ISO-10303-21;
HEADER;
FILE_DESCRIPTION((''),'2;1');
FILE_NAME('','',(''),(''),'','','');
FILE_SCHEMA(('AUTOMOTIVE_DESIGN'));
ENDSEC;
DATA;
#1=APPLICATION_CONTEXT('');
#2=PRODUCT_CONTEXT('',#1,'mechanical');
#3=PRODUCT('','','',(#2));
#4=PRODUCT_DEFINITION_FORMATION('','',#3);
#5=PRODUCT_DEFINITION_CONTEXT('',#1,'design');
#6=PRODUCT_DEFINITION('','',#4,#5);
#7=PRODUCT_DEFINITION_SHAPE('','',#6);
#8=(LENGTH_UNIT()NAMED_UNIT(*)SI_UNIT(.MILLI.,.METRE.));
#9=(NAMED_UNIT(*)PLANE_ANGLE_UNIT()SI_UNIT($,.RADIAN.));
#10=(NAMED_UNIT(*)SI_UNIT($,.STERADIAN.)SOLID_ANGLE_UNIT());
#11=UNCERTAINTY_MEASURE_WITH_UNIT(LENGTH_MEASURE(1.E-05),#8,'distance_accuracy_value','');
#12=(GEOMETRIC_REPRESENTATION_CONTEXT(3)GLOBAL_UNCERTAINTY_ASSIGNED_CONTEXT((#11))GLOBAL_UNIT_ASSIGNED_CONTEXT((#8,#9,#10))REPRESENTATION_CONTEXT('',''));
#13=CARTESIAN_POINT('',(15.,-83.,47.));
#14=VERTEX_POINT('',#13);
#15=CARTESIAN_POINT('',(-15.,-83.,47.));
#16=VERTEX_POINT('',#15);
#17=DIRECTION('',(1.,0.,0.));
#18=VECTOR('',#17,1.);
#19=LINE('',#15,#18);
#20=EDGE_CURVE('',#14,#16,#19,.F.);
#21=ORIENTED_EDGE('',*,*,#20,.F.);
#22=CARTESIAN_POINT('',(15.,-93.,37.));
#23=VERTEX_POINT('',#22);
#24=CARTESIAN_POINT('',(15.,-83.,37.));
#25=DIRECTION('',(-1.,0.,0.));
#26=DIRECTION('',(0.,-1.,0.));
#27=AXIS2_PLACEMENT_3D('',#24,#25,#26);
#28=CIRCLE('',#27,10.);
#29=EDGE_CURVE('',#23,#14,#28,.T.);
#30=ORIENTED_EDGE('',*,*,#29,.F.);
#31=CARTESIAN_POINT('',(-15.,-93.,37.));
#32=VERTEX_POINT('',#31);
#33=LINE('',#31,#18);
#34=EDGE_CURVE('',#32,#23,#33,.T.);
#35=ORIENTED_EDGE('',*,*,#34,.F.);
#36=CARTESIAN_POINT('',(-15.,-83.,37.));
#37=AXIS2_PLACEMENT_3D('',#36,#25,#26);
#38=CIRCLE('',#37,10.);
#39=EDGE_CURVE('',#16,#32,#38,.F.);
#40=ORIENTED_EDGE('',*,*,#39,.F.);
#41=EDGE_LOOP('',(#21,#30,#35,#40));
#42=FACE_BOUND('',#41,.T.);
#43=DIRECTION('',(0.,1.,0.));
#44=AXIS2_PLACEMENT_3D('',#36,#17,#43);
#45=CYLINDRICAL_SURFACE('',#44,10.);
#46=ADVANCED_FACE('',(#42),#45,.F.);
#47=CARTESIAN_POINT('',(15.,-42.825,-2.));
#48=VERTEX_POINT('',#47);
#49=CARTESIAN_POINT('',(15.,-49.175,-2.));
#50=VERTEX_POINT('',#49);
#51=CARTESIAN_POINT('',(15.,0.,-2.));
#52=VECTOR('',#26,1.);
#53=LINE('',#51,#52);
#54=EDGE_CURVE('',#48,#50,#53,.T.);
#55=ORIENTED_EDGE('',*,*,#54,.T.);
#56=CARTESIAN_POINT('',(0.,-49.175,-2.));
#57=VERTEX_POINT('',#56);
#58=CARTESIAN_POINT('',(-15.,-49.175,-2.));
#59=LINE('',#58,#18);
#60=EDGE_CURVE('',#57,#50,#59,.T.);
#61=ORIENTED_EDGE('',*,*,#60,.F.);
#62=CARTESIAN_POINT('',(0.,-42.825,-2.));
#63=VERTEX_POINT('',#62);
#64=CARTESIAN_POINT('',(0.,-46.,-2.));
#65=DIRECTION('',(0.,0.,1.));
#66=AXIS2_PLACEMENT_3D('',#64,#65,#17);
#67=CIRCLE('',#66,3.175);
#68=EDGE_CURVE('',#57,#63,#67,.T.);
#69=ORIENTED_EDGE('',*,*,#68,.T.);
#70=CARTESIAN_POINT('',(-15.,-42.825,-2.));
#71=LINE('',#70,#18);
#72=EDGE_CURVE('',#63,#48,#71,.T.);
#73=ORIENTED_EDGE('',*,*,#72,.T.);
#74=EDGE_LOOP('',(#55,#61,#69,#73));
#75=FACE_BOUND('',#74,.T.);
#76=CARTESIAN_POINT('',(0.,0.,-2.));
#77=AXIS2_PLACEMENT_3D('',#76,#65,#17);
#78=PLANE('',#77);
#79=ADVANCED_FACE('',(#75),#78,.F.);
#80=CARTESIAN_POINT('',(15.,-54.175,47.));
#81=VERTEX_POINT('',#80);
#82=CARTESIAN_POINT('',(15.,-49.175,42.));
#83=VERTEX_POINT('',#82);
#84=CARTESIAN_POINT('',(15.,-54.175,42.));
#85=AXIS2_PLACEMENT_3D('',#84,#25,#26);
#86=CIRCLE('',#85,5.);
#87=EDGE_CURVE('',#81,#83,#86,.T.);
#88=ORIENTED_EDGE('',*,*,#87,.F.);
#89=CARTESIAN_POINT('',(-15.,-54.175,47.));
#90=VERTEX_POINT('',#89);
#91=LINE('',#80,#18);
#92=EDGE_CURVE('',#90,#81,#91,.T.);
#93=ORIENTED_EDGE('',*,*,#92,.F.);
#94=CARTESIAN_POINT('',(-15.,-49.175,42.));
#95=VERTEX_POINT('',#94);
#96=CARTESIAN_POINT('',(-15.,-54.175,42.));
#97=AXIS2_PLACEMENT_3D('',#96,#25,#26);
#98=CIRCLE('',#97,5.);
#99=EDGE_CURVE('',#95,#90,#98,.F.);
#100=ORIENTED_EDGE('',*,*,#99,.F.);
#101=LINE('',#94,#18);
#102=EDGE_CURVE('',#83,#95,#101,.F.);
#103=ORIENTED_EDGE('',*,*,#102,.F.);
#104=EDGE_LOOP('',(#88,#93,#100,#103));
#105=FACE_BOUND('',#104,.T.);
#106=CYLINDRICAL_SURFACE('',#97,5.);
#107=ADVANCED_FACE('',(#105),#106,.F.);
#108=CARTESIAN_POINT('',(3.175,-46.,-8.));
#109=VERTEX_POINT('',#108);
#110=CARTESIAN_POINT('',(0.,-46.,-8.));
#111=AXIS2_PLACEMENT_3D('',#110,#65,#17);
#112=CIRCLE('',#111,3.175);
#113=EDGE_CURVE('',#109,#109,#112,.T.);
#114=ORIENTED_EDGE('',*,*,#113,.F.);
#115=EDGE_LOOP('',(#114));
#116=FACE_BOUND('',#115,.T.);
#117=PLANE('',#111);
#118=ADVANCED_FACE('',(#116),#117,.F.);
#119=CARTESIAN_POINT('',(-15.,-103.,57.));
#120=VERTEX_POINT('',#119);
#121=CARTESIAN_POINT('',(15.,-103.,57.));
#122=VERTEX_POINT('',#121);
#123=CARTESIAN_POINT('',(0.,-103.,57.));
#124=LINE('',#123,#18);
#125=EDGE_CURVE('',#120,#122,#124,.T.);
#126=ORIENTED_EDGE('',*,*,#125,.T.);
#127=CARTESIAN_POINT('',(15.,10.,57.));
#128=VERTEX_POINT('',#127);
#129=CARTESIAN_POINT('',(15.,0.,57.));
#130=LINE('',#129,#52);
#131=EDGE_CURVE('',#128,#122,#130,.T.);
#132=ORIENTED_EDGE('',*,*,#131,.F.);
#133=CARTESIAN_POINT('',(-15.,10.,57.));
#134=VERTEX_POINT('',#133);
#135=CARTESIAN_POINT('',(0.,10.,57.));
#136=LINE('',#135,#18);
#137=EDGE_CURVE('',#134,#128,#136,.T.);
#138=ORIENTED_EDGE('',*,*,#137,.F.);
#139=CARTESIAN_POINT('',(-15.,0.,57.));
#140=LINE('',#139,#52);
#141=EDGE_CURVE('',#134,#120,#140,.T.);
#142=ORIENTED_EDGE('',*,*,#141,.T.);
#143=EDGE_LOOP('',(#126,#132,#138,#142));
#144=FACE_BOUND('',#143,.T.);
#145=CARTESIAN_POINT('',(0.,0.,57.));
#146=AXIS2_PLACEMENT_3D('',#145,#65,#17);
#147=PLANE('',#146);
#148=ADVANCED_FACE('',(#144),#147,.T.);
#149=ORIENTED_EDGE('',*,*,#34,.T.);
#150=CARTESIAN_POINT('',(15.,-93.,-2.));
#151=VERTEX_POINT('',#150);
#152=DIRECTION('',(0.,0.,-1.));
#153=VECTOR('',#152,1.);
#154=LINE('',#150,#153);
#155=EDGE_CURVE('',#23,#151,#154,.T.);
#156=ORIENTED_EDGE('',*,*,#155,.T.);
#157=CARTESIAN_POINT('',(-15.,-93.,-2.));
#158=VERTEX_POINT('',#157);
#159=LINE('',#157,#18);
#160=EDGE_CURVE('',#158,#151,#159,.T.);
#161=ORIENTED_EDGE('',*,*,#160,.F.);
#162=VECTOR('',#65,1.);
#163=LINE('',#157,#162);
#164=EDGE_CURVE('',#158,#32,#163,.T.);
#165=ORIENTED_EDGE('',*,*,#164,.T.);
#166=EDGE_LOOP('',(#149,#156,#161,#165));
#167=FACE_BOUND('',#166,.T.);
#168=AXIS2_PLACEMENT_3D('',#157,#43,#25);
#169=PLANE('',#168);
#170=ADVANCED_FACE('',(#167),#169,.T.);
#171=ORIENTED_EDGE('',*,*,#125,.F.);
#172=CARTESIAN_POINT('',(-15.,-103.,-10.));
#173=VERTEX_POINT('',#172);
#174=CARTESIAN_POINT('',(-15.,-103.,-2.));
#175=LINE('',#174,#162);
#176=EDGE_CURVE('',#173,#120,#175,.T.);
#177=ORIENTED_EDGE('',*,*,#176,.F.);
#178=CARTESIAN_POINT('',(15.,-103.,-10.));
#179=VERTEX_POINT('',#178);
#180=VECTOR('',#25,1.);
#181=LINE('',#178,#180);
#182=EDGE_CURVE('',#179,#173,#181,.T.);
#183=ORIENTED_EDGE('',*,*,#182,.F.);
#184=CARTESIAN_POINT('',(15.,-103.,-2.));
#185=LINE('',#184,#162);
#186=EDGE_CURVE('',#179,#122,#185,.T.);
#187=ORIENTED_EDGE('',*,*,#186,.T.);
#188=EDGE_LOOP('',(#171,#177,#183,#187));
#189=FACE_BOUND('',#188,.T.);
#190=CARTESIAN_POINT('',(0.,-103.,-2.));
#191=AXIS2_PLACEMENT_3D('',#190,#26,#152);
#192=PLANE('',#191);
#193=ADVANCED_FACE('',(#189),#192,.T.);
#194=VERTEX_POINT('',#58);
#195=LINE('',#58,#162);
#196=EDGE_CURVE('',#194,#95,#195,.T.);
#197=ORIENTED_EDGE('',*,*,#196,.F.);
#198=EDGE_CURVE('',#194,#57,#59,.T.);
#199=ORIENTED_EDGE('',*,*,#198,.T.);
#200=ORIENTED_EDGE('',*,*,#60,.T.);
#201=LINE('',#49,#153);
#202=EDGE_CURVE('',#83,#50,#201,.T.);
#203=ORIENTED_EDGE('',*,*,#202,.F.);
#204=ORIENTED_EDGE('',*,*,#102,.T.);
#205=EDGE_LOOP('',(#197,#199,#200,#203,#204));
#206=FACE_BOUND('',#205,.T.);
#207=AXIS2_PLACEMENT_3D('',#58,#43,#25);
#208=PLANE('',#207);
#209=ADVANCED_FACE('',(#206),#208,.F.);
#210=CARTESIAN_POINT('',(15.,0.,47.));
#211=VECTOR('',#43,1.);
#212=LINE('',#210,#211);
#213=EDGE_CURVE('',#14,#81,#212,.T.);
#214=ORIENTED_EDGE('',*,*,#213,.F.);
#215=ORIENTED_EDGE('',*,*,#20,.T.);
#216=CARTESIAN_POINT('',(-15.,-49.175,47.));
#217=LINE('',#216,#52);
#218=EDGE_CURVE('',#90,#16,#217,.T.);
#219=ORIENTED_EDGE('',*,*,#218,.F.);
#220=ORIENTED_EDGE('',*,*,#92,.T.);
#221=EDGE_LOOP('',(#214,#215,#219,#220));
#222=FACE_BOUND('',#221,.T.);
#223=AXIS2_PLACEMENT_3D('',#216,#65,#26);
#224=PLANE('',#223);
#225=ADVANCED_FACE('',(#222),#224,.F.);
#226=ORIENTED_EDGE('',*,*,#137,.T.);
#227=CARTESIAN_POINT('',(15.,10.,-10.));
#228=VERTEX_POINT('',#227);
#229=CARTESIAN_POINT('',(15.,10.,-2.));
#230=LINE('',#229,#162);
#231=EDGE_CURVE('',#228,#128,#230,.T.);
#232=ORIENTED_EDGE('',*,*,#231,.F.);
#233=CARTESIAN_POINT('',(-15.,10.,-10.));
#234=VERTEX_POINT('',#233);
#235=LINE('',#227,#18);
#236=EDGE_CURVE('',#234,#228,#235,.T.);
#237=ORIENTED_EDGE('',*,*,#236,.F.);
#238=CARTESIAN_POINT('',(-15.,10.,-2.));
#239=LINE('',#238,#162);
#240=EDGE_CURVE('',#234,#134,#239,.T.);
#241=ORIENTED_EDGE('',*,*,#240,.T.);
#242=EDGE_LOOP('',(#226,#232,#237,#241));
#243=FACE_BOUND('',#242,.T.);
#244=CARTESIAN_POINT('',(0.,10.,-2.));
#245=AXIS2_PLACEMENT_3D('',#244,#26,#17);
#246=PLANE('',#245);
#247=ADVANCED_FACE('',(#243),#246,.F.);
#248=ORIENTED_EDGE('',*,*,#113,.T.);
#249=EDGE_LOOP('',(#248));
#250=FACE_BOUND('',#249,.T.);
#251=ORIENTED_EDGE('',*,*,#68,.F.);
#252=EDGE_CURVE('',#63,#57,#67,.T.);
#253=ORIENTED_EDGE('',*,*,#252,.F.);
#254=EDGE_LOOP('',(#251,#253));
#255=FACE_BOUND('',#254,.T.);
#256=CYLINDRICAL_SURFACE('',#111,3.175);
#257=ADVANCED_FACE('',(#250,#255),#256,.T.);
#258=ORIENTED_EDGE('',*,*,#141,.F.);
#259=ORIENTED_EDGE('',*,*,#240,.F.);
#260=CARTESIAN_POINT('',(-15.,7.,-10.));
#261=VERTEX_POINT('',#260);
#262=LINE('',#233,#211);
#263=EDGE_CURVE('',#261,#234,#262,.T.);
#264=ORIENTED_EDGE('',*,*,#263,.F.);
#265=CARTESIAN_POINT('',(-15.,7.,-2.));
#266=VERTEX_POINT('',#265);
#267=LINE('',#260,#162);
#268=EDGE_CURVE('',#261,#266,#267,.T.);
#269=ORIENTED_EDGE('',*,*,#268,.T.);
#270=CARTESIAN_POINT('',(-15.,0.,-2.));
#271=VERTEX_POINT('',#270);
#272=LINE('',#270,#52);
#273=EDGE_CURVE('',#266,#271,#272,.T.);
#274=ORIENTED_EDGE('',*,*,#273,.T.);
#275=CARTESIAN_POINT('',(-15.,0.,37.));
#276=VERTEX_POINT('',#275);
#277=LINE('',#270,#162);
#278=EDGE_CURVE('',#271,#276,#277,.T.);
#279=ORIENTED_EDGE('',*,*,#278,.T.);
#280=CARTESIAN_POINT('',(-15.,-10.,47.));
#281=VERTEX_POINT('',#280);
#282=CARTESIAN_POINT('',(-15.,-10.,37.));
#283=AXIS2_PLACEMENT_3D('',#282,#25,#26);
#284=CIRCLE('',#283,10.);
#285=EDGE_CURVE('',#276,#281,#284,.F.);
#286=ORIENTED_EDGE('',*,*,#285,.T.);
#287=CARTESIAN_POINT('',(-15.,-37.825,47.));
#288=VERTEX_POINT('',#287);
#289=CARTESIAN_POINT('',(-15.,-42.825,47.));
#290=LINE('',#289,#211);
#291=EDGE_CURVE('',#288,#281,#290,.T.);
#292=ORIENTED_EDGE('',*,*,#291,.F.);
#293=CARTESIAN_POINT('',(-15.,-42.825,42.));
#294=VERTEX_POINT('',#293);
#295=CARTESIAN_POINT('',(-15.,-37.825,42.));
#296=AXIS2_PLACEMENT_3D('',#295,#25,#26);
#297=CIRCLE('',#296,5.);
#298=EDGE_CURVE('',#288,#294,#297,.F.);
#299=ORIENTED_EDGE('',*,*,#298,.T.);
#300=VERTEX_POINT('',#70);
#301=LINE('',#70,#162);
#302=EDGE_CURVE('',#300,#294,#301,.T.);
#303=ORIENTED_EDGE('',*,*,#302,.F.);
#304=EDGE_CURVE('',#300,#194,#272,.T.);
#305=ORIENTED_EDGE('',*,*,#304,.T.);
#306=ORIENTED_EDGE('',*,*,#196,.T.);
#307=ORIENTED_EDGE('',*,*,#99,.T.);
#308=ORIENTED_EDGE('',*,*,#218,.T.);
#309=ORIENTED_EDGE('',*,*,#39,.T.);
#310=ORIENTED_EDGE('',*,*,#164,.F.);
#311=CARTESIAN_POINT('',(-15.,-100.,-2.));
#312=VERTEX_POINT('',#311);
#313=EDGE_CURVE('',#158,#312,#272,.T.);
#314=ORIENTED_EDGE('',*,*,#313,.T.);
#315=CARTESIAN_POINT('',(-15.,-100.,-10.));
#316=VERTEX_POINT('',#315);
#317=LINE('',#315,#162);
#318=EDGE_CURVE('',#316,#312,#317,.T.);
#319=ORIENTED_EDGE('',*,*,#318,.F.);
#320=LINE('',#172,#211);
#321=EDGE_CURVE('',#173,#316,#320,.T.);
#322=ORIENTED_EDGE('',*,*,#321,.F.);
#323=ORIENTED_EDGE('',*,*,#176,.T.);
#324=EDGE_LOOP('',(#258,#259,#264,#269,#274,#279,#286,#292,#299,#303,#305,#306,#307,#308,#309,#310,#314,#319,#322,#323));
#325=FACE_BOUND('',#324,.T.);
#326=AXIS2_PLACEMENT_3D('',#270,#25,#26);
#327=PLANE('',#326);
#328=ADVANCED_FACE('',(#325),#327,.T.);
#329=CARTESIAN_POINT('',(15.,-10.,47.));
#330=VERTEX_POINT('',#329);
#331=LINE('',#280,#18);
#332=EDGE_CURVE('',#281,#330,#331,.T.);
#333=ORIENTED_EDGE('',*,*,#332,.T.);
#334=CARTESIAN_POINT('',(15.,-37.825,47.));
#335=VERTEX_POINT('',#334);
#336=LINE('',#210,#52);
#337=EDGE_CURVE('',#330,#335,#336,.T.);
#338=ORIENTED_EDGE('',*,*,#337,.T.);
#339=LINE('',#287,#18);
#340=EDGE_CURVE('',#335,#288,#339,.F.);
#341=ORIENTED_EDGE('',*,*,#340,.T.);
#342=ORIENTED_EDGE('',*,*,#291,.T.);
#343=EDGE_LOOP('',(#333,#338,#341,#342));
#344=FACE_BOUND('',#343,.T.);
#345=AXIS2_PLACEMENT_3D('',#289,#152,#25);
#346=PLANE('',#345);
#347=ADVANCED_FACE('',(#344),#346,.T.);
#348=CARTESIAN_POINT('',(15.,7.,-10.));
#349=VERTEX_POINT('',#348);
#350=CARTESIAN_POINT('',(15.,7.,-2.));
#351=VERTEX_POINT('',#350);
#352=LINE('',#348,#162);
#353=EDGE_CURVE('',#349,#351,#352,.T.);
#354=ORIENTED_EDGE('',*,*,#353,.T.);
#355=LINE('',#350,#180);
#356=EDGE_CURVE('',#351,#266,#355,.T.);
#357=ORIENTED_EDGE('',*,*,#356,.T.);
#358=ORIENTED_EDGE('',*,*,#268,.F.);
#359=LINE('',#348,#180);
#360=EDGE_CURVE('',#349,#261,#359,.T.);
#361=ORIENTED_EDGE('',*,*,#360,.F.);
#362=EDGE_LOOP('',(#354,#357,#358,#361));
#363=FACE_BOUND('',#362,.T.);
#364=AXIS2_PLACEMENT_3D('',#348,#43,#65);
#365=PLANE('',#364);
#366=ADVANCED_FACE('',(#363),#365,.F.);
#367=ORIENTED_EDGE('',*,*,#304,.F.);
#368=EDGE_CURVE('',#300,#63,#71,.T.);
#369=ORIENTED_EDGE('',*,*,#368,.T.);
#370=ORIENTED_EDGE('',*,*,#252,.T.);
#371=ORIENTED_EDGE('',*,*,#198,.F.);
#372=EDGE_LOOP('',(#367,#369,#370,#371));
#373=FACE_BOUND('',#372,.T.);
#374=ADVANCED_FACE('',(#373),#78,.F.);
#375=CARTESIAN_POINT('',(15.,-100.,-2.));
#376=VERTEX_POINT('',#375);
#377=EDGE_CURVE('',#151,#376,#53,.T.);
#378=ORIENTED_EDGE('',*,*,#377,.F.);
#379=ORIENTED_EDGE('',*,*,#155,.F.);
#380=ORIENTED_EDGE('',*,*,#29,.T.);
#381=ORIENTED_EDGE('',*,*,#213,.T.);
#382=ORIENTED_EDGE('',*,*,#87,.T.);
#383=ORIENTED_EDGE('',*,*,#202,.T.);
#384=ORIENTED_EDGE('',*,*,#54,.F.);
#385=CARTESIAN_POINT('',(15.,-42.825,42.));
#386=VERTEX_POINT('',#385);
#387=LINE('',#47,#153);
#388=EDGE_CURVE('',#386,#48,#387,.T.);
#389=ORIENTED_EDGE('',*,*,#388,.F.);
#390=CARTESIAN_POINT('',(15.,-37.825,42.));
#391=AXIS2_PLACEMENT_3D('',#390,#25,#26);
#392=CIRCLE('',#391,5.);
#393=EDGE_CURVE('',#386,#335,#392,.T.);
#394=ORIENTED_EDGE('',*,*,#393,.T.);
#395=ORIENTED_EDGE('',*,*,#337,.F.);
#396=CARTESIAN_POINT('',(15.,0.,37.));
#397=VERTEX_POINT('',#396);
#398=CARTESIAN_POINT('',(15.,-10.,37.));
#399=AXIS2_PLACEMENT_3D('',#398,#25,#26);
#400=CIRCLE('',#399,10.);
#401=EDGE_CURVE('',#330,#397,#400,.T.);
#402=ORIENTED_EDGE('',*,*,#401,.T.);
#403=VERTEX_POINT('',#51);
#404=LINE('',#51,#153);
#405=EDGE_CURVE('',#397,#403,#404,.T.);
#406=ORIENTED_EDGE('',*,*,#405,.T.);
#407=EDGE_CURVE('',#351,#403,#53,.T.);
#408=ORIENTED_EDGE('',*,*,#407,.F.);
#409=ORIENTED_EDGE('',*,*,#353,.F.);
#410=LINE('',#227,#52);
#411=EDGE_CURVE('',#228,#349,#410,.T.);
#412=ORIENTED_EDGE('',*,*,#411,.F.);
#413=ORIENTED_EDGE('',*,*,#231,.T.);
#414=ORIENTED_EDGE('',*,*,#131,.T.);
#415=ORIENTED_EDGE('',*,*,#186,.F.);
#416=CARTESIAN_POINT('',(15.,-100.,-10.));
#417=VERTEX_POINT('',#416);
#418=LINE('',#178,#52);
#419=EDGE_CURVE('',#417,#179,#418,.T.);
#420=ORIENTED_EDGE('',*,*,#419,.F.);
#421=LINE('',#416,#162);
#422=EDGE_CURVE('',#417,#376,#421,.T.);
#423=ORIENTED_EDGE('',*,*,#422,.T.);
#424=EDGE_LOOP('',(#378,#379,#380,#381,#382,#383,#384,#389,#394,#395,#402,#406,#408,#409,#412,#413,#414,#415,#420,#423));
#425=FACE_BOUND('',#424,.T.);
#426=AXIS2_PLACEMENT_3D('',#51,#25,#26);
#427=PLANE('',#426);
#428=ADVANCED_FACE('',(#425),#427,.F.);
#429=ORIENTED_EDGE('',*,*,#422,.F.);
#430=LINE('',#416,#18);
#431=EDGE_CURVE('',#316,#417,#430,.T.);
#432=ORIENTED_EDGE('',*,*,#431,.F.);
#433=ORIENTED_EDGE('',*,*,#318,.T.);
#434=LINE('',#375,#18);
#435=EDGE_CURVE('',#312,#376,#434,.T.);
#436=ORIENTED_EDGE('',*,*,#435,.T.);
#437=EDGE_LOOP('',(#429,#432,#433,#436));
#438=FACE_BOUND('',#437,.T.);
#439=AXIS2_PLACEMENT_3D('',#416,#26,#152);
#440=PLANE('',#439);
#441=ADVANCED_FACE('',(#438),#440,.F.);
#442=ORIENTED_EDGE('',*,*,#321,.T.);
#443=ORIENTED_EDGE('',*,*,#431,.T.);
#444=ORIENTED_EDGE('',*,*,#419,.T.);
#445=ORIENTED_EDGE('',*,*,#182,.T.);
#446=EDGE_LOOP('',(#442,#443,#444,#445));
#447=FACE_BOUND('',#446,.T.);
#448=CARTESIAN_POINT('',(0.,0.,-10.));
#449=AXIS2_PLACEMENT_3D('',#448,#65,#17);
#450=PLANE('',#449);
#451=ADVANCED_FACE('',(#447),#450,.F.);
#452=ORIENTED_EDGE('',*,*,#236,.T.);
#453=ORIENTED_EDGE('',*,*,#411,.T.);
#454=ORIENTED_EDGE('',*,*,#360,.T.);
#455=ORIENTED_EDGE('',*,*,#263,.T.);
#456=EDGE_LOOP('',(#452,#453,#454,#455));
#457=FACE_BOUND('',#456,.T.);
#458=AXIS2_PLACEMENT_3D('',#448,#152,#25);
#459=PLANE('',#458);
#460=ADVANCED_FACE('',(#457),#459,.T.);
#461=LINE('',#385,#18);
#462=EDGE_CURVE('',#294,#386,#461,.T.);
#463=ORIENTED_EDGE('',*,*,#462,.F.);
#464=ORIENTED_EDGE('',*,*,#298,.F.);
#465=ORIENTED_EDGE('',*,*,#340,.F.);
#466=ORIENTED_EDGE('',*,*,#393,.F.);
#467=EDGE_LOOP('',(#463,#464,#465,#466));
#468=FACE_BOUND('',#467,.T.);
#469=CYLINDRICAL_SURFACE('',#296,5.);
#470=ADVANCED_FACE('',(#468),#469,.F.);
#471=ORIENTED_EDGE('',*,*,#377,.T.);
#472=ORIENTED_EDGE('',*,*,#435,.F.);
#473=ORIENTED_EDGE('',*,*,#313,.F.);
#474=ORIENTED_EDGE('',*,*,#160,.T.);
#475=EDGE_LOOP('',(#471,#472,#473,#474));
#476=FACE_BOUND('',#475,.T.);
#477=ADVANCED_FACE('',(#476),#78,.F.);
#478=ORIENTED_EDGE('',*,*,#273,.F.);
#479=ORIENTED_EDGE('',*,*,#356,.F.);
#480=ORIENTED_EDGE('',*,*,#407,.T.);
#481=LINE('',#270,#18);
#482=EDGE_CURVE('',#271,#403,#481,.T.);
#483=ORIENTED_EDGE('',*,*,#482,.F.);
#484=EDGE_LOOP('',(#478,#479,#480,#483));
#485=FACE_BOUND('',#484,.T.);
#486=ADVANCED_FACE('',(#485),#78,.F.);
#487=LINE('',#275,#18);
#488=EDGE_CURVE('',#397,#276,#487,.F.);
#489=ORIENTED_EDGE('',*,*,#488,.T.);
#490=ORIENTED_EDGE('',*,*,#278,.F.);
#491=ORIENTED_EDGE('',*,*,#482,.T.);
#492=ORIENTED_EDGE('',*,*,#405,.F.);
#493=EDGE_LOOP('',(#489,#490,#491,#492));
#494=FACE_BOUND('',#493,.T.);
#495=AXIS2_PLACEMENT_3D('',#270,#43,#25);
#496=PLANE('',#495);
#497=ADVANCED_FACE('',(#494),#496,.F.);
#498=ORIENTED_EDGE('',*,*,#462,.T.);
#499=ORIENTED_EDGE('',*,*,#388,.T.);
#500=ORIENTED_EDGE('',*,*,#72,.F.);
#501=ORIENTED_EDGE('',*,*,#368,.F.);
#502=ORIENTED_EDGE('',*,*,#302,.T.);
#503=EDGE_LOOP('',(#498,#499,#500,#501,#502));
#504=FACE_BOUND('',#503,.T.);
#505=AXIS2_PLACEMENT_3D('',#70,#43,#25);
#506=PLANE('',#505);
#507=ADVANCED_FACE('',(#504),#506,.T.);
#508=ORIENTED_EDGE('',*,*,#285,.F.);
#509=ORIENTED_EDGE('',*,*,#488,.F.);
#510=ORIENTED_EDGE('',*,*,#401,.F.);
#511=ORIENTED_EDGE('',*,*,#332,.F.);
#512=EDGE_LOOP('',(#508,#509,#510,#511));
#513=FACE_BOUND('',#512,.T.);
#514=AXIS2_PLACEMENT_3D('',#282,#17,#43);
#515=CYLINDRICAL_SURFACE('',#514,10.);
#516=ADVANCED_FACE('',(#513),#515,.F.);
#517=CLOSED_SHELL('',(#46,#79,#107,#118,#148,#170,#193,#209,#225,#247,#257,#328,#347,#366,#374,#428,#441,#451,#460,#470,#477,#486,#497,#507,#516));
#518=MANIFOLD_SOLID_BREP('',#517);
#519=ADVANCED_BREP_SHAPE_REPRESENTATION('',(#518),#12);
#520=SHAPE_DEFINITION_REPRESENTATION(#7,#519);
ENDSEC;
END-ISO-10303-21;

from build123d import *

# Parameters (mm, degrees)
BOSS_EXTRUDE3_DEPTH      = 57
BOSS_EXTRUDE3_DEPTH_BACK = 2
SKETCH1_W                = 30
SKETCH1_H                = 113
SKETCH1_6_R              = 3.175
BOSS_EXTRUDE4_DEPTH      = 8
CUT_EXTRUDE1_DEPTH       = 122.482509029
CUT_EXTRUDE1_DEPTH_BACK  = 122.482509029
SKETCH2_W                = 49
SKETCH2_H                = 42.825
SKETCH2_H_2              = 43.825
SKETCH3_W                = 30
SKETCH3_H                = 3
BOSS_EXTRUDE5_DEPTH      = 8
FILLET2_R                = 10
FILLET3_R                = 10
FILLET4_R                = 5
FILLET5_R                = 5


with BuildPart() as part:
    # Sketch1 → Boss-Extrude3 (new, two sides: drawn at the far end of the back side and taken through both)
    with BuildSketch(Plane.XY.offset(-BOSS_EXTRUDE3_DEPTH_BACK)):
        with Locations((0, -46.5)):
            Rectangle(SKETCH1_W, SKETCH1_H)
    extrude(amount=BOSS_EXTRUDE3_DEPTH + BOSS_EXTRUDE3_DEPTH_BACK)

    # Sketch1<6> → Boss-Extrude4 (add)
    with BuildSketch(Plane.XY):
        with Locations((0, -46)):
            Circle(SKETCH1_6_R)
    extrude(amount=-BOSS_EXTRUDE4_DEPTH)

    # Sketch2 → Cut-Extrude1 (cut, two sides: drawn at the far end of the back side and taken through both)
    with BuildSketch(Plane(origin=(15, 0, 0), x_dir=(0, 0, -1), z_dir=(1, 0, 0)).offset(-CUT_EXTRUDE1_DEPTH_BACK)):
        with Locations((-22.5, -21.4125)):
            Rectangle(SKETCH2_W, SKETCH2_H)
        with Locations((-22.5, -71.0875)):
            Rectangle(SKETCH2_W, SKETCH2_H_2)
    extrude(amount=CUT_EXTRUDE1_DEPTH + CUT_EXTRUDE1_DEPTH_BACK, mode=Mode.SUBTRACT)

    # Sketch3 → Boss-Extrude5 (add)
    with BuildSketch(Plane(origin=(0, 0, -2), x_dir=(-1, 0, 0), z_dir=(0, 0, -1))):
        with Locations((0, 8.5)):
            Rectangle(SKETCH3_W, SKETCH3_H)
        with Locations((0, -101.5)):
            Rectangle(SKETCH3_W, SKETCH3_H)
    extrude(amount=BOSS_EXTRUDE5_DEPTH)

    # Fillet2
    fillet2_edges = [part.edges().sort_by_distance(p)[0] for p in [
        (0, 0, 47),
    ]]
    fillet(fillet2_edges, radius=FILLET2_R)

    # Fillet3
    fillet3_edges = [part.edges().sort_by_distance(p)[0] for p in [
        (0, -93, 47),
    ]]
    fillet(fillet3_edges, radius=FILLET3_R)

    # Fillet4
    fillet4_edges = [part.edges().sort_by_distance(p)[0] for p in [
        (0, -42.825, 47),
    ]]
    fillet(fillet4_edges, radius=FILLET4_R)

    # Fillet5
    fillet5_edges = [part.edges().sort_by_distance(p)[0] for p in [
        (0, -49.175, 47),
    ]]
    fillet(fillet5_edges, radius=FILLET5_R)


solid = part.part
